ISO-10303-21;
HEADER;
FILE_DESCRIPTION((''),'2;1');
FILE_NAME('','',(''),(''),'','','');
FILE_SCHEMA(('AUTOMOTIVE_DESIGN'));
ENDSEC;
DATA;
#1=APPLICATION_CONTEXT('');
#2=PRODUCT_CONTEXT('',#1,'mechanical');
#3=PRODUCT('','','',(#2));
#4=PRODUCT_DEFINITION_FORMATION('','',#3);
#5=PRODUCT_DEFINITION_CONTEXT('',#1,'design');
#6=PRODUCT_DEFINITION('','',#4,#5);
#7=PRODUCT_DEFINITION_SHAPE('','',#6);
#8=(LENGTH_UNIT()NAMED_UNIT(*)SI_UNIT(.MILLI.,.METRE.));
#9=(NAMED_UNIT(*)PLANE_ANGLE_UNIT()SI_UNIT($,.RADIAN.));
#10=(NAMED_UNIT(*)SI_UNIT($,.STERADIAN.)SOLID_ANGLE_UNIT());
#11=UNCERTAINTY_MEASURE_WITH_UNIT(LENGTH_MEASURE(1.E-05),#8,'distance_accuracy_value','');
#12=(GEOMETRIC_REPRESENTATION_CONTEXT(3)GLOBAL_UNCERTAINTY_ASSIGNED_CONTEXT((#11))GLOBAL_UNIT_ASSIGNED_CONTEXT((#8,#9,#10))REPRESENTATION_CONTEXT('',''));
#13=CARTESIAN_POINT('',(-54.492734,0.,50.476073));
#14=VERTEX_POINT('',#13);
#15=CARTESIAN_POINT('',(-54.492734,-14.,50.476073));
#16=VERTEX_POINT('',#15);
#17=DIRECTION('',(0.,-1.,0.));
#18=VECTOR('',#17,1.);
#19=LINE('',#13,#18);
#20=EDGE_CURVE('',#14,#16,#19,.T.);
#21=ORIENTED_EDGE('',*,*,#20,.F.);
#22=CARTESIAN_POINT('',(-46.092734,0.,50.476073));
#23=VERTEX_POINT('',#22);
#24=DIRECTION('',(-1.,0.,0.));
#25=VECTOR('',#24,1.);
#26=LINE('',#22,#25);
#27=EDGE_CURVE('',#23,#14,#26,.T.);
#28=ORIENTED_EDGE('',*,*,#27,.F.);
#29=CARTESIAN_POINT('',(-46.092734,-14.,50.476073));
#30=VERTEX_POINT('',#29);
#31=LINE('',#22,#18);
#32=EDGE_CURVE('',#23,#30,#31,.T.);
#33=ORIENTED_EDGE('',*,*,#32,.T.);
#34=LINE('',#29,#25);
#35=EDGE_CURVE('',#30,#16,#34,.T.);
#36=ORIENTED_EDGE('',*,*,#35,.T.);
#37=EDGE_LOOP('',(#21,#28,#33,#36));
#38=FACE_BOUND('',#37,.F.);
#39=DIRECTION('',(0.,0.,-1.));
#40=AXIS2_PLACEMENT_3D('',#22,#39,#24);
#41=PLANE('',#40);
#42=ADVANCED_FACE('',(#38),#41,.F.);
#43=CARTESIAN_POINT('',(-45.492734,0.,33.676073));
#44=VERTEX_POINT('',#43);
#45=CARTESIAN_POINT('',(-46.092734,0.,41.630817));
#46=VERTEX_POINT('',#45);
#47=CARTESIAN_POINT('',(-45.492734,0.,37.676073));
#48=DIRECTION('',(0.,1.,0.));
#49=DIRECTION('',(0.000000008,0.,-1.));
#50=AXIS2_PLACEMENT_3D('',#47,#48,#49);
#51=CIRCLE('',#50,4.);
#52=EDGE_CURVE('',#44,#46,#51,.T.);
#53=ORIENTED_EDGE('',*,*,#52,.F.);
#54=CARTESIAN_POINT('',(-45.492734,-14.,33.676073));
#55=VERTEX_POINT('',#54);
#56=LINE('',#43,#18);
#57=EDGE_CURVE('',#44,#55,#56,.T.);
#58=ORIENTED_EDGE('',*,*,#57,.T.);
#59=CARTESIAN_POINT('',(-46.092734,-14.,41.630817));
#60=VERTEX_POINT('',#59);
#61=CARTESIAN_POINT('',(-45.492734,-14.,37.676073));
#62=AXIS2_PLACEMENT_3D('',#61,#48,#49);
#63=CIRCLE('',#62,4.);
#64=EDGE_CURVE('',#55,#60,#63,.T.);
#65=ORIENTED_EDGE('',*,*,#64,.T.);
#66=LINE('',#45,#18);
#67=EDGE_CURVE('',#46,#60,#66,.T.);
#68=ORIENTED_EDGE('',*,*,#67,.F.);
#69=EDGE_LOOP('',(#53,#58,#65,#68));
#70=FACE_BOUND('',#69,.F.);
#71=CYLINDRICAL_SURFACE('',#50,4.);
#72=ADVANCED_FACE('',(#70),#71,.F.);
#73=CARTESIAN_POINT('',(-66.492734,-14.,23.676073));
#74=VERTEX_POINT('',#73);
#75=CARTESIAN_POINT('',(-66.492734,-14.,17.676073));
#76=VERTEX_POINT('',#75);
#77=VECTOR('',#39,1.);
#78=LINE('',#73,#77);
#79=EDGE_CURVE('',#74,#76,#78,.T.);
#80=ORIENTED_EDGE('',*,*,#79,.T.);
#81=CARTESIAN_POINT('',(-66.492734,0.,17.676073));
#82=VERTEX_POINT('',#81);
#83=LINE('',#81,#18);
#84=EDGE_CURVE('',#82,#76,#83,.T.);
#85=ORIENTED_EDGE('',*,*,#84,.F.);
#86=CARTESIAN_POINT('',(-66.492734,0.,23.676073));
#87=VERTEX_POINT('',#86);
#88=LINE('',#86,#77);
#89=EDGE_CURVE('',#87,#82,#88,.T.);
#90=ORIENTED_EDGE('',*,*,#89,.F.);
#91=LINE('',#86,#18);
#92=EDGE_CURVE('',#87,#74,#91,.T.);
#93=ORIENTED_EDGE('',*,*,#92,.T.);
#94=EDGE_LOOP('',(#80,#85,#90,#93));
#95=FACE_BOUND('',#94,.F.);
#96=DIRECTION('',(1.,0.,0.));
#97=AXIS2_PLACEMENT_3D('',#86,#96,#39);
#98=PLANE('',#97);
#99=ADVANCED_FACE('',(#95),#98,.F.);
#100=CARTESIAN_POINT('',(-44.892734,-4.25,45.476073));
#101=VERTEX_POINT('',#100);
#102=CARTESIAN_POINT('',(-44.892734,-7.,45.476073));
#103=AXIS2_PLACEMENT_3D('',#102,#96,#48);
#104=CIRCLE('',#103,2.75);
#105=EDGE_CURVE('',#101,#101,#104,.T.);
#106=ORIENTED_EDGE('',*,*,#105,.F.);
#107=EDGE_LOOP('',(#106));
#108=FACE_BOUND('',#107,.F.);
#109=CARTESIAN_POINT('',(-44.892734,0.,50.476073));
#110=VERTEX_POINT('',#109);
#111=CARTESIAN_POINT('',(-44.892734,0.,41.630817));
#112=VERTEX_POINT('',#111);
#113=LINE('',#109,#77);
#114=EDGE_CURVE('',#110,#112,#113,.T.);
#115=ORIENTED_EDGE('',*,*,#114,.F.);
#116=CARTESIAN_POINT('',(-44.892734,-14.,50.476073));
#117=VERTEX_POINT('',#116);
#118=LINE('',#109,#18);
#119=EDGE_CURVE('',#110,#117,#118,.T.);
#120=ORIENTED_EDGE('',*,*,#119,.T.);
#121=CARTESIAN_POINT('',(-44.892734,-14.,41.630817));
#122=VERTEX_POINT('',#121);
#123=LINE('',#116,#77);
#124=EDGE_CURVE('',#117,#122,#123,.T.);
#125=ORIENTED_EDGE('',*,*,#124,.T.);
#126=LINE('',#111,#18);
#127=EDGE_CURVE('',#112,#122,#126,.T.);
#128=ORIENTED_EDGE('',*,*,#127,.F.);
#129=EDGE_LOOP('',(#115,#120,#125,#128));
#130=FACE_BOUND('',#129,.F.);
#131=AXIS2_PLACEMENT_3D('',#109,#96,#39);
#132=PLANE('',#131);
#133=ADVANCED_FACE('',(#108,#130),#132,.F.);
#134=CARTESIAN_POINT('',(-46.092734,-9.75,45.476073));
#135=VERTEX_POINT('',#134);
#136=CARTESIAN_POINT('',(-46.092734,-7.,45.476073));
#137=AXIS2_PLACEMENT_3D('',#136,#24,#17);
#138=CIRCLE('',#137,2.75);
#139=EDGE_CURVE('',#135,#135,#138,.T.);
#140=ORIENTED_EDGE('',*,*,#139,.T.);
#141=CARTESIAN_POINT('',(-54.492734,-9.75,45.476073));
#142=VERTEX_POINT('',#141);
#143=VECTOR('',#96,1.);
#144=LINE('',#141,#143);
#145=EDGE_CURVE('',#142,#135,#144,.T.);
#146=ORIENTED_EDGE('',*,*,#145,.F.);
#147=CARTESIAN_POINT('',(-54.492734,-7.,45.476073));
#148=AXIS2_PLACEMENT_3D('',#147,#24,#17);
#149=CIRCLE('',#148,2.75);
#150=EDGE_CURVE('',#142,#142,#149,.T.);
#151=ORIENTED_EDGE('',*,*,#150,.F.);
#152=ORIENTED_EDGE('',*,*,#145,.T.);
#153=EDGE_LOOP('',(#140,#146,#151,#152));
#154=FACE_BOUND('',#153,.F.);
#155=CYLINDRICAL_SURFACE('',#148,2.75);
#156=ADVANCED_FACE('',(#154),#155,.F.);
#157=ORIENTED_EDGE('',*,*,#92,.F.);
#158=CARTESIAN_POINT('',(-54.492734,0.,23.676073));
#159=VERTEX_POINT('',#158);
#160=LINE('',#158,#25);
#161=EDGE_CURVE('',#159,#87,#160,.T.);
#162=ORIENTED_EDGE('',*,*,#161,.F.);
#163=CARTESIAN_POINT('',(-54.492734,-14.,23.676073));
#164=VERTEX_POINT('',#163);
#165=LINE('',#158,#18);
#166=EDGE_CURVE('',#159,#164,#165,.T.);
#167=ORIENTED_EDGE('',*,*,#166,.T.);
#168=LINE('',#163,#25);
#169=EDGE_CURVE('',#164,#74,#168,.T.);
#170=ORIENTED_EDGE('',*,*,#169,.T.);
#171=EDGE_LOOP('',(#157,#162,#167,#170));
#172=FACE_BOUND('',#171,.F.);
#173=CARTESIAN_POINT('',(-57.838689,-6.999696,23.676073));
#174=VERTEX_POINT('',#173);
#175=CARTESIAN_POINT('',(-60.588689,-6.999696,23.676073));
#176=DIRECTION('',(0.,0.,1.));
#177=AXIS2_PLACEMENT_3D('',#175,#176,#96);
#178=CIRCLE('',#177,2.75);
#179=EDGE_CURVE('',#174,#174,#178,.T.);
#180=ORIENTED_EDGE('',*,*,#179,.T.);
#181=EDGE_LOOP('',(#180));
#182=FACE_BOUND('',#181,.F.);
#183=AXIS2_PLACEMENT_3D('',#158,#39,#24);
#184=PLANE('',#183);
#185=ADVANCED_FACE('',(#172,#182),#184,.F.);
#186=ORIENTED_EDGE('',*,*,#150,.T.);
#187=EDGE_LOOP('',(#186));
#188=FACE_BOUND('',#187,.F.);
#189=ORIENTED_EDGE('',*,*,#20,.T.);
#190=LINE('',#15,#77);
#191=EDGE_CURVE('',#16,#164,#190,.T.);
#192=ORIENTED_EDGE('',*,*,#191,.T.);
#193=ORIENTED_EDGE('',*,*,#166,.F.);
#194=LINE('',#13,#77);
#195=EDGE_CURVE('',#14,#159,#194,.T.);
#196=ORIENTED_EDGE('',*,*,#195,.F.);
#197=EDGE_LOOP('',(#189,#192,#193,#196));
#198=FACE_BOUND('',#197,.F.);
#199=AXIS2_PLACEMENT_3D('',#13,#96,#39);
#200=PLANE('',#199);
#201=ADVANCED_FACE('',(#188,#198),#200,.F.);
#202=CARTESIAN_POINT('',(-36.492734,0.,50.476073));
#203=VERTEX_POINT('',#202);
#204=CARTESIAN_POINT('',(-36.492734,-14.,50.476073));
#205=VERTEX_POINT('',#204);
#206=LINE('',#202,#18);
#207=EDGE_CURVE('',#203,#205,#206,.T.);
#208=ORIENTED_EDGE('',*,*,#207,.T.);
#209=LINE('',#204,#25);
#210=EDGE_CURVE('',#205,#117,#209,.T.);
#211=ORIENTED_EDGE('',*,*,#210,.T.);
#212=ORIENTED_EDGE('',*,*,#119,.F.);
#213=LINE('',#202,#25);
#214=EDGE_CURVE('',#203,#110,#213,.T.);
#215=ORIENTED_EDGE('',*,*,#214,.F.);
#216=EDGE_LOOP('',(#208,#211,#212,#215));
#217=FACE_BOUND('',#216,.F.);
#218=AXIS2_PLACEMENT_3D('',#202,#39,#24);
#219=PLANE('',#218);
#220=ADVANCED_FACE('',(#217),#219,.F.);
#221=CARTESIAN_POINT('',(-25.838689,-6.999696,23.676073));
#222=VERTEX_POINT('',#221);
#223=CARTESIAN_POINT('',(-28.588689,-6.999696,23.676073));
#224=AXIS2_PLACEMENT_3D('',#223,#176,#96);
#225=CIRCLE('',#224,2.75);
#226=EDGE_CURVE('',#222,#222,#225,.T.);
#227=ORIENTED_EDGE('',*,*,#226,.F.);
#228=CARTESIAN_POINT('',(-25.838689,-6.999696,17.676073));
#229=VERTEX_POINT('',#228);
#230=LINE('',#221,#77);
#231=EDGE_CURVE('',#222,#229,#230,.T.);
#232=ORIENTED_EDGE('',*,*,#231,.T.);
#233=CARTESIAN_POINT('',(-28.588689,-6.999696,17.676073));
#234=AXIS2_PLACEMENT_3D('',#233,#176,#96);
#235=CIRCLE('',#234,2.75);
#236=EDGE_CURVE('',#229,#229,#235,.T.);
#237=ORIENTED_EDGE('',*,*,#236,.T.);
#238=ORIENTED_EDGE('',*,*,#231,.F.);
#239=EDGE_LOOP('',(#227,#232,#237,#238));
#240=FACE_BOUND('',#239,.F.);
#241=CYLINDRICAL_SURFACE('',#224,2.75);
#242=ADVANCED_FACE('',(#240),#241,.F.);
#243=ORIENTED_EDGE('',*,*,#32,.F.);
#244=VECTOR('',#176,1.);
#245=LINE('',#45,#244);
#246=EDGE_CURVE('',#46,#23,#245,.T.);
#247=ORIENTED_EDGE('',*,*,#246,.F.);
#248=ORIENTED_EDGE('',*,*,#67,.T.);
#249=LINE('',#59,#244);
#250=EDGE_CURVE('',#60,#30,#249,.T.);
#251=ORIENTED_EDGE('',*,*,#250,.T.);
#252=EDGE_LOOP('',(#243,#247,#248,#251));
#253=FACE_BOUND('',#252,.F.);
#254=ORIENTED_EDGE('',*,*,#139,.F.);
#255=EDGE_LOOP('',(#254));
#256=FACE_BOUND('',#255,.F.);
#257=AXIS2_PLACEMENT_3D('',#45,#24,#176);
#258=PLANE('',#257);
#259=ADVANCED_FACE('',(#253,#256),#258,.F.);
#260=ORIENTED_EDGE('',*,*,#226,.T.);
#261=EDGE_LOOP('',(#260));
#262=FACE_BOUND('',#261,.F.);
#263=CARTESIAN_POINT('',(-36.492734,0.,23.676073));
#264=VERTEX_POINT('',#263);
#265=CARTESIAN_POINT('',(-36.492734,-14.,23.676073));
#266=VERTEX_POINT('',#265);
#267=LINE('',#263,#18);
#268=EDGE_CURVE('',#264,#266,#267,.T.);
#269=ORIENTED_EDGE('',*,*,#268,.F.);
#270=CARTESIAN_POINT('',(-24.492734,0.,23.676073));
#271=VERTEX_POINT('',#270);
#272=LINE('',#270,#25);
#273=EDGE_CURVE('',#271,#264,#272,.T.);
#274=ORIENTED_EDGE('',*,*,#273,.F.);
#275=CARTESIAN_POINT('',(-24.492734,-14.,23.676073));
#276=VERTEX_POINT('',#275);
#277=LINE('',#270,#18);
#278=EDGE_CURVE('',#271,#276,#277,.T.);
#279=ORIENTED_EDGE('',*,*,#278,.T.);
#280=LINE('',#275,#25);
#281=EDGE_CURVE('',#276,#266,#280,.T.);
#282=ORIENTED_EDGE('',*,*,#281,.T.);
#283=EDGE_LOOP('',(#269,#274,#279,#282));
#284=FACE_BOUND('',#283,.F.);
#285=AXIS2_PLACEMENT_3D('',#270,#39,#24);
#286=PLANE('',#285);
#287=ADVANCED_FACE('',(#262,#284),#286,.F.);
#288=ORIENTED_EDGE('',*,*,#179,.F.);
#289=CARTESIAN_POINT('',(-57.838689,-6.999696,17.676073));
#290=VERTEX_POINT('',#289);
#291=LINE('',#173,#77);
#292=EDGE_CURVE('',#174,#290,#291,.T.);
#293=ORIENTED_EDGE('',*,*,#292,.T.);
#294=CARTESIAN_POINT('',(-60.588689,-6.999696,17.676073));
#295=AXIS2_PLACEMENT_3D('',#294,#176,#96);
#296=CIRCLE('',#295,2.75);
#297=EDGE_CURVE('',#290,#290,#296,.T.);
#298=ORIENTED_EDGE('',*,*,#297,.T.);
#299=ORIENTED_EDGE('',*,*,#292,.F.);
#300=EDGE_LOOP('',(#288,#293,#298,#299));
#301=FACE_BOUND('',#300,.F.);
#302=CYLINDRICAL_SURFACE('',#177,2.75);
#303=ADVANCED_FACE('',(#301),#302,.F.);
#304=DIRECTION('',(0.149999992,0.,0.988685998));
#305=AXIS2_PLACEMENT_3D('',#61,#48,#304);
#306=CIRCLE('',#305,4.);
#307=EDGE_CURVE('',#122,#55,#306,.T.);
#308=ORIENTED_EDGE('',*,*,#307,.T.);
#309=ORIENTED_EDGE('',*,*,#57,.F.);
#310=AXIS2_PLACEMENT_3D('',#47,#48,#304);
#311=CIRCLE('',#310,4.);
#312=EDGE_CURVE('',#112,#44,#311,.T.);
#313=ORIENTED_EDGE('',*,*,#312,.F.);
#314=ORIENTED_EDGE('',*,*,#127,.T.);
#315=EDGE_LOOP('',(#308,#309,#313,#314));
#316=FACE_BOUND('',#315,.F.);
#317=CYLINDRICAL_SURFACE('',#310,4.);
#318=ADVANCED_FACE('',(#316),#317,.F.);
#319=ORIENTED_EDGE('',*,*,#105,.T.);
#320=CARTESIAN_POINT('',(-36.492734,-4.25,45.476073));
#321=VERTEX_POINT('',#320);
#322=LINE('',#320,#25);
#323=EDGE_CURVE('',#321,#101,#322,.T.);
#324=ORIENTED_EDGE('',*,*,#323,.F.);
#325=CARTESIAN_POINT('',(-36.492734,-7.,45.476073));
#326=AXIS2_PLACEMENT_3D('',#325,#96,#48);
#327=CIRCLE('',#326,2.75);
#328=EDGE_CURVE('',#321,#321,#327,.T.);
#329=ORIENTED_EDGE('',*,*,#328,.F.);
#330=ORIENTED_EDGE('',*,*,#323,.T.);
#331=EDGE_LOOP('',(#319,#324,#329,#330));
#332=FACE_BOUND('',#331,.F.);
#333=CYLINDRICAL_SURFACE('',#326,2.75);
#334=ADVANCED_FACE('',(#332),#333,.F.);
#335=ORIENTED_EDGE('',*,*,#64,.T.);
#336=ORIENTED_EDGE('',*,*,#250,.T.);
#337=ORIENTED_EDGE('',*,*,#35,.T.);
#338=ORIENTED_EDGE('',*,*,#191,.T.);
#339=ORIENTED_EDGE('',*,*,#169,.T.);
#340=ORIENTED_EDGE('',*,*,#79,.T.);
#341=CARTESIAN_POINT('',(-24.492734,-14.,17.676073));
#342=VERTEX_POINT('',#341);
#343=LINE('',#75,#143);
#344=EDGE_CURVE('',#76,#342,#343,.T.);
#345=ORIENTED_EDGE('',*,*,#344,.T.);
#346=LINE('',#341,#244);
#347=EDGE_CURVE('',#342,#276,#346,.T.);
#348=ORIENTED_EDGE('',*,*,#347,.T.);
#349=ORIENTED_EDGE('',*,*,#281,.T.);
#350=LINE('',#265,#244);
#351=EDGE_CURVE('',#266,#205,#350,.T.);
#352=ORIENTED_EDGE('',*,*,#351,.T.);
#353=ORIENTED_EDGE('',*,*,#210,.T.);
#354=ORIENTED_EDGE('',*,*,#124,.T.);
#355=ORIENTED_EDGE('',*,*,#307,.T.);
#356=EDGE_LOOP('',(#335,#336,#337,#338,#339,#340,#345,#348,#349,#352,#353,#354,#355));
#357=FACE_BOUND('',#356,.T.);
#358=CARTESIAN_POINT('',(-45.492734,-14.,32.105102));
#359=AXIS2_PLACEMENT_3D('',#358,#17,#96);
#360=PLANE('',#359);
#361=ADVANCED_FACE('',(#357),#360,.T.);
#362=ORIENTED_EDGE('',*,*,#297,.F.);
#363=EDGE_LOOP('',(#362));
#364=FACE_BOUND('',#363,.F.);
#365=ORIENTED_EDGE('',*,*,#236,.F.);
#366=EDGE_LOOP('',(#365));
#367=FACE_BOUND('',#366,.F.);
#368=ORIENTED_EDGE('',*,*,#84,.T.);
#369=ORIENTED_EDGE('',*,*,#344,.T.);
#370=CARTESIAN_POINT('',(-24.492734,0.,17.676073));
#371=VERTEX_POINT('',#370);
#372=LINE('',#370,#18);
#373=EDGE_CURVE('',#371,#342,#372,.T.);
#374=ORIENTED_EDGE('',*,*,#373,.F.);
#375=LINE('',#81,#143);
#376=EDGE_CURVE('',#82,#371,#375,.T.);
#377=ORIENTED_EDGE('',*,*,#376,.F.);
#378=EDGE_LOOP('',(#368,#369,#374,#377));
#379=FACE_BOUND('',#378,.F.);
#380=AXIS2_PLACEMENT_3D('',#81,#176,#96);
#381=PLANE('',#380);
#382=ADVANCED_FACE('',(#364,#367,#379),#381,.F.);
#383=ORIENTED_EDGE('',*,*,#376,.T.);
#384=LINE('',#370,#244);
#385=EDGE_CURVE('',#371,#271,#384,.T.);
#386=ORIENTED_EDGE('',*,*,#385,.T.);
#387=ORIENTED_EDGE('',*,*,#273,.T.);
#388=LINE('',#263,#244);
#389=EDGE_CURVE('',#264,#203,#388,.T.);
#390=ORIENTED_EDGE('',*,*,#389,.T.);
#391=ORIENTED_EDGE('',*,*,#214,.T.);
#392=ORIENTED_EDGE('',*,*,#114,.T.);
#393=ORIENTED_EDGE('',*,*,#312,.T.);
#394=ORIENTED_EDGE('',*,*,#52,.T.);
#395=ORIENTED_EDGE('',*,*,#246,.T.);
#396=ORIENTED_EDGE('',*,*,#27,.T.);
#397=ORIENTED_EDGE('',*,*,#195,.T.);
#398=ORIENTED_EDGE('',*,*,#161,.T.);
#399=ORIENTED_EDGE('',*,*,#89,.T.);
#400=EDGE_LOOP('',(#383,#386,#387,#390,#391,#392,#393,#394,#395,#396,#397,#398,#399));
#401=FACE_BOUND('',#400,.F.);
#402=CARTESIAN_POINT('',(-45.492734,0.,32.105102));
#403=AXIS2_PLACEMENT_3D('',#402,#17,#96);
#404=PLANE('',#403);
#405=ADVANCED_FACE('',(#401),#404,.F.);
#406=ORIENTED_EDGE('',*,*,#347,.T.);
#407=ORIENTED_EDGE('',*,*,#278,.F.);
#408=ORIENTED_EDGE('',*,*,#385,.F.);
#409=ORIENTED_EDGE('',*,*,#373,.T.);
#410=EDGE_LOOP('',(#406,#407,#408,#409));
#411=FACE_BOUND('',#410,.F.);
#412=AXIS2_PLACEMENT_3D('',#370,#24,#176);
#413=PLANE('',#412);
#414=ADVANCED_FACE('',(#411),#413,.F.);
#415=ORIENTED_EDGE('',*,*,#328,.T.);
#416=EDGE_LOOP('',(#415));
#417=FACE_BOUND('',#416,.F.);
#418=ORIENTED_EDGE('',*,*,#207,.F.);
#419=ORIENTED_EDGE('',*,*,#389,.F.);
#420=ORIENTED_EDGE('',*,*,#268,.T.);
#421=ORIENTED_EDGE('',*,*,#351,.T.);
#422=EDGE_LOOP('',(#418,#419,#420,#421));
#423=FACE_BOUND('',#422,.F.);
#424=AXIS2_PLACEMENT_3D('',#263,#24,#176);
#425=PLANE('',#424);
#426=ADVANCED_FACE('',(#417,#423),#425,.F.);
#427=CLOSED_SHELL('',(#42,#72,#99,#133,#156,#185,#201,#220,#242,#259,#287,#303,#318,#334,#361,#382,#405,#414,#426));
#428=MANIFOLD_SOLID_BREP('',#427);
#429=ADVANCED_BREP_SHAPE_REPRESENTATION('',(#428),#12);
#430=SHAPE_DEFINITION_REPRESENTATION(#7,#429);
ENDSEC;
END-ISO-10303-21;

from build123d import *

# Parameters (mm, degrees)
F1_DEPTH = 14
F2_R     = 2.75
F3_DEPTH = 6
F4_R     = 2.75
F5_DEPTH = 9
F6_R     = 2.75
F7_DEPTH = 9


with BuildPart() as f1:
    # F0 (on Front) → F1 (new body)
    with BuildSketch(Plane.XZ):
        with BuildLine():
            Line((-66.492734, 17.676073), (-45.492734, 17.676073))
            Line((-45.492734, 17.676073), (-24.492734, 17.676073))
            Line((-24.492734, 17.676073), (-24.492734, 23.676073))
            Line((-24.492734, 23.676073), (-36.492734, 23.676073))
            Line((-36.492734, 23.676073), (-36.492734, 50.476073))
            Line((-36.492734, 50.476073), (-44.892734, 50.476073))
            Line((-44.892734, 50.476073), (-44.892734, 41.630817))
            ThreePointArc((-44.892734, 41.630817), (-41.504064, 37.375221), (-45.492734, 33.676073))
            ThreePointArc((-45.492734, 33.676073), (-49.481404, 37.375221), (-46.092734, 41.630817))
            Line((-46.092734, 41.630817), (-46.092734, 50.476073))
            Line((-46.092734, 50.476073), (-54.492734, 50.476073))
            Line((-54.492734, 50.476073), (-54.492734, 23.676073))
            Line((-54.492734, 23.676073), (-66.492734, 23.676073))
            Line((-66.492734, 23.676073), (-66.492734, 17.676073))
        make_face()
    extrude(amount=F1_DEPTH)

    # F2 (on face) → F3 (cut)
    with BuildSketch(Plane.XY.offset(23.676073)):
        with Locations((-60.588689, -6.999696)):
            Circle(F2_R)
        with Locations((-28.588689, -6.999696)):
            Circle(F2_R)
    extrude(amount=-F3_DEPTH, mode=Mode.SUBTRACT)

    # F4 (on face) → F5 (cut)
    with BuildSketch(Plane.YZ.offset(-36.492734)):
        with Locations((-7, 45.476073)):
            Circle(F4_R)
    extrude(amount=-F5_DEPTH, mode=Mode.SUBTRACT)

    # F6 (on face) → F7 (cut)
    with BuildSketch(Plane(origin=(-54.492734, 0, 0), x_dir=(0, -1, 0), z_dir=(-1, 0, 0))):
        with Locations((7, 45.476073)):
            Circle(F6_R)
    extrude(amount=-F7_DEPTH, mode=Mode.SUBTRACT)


solid = f1.part
